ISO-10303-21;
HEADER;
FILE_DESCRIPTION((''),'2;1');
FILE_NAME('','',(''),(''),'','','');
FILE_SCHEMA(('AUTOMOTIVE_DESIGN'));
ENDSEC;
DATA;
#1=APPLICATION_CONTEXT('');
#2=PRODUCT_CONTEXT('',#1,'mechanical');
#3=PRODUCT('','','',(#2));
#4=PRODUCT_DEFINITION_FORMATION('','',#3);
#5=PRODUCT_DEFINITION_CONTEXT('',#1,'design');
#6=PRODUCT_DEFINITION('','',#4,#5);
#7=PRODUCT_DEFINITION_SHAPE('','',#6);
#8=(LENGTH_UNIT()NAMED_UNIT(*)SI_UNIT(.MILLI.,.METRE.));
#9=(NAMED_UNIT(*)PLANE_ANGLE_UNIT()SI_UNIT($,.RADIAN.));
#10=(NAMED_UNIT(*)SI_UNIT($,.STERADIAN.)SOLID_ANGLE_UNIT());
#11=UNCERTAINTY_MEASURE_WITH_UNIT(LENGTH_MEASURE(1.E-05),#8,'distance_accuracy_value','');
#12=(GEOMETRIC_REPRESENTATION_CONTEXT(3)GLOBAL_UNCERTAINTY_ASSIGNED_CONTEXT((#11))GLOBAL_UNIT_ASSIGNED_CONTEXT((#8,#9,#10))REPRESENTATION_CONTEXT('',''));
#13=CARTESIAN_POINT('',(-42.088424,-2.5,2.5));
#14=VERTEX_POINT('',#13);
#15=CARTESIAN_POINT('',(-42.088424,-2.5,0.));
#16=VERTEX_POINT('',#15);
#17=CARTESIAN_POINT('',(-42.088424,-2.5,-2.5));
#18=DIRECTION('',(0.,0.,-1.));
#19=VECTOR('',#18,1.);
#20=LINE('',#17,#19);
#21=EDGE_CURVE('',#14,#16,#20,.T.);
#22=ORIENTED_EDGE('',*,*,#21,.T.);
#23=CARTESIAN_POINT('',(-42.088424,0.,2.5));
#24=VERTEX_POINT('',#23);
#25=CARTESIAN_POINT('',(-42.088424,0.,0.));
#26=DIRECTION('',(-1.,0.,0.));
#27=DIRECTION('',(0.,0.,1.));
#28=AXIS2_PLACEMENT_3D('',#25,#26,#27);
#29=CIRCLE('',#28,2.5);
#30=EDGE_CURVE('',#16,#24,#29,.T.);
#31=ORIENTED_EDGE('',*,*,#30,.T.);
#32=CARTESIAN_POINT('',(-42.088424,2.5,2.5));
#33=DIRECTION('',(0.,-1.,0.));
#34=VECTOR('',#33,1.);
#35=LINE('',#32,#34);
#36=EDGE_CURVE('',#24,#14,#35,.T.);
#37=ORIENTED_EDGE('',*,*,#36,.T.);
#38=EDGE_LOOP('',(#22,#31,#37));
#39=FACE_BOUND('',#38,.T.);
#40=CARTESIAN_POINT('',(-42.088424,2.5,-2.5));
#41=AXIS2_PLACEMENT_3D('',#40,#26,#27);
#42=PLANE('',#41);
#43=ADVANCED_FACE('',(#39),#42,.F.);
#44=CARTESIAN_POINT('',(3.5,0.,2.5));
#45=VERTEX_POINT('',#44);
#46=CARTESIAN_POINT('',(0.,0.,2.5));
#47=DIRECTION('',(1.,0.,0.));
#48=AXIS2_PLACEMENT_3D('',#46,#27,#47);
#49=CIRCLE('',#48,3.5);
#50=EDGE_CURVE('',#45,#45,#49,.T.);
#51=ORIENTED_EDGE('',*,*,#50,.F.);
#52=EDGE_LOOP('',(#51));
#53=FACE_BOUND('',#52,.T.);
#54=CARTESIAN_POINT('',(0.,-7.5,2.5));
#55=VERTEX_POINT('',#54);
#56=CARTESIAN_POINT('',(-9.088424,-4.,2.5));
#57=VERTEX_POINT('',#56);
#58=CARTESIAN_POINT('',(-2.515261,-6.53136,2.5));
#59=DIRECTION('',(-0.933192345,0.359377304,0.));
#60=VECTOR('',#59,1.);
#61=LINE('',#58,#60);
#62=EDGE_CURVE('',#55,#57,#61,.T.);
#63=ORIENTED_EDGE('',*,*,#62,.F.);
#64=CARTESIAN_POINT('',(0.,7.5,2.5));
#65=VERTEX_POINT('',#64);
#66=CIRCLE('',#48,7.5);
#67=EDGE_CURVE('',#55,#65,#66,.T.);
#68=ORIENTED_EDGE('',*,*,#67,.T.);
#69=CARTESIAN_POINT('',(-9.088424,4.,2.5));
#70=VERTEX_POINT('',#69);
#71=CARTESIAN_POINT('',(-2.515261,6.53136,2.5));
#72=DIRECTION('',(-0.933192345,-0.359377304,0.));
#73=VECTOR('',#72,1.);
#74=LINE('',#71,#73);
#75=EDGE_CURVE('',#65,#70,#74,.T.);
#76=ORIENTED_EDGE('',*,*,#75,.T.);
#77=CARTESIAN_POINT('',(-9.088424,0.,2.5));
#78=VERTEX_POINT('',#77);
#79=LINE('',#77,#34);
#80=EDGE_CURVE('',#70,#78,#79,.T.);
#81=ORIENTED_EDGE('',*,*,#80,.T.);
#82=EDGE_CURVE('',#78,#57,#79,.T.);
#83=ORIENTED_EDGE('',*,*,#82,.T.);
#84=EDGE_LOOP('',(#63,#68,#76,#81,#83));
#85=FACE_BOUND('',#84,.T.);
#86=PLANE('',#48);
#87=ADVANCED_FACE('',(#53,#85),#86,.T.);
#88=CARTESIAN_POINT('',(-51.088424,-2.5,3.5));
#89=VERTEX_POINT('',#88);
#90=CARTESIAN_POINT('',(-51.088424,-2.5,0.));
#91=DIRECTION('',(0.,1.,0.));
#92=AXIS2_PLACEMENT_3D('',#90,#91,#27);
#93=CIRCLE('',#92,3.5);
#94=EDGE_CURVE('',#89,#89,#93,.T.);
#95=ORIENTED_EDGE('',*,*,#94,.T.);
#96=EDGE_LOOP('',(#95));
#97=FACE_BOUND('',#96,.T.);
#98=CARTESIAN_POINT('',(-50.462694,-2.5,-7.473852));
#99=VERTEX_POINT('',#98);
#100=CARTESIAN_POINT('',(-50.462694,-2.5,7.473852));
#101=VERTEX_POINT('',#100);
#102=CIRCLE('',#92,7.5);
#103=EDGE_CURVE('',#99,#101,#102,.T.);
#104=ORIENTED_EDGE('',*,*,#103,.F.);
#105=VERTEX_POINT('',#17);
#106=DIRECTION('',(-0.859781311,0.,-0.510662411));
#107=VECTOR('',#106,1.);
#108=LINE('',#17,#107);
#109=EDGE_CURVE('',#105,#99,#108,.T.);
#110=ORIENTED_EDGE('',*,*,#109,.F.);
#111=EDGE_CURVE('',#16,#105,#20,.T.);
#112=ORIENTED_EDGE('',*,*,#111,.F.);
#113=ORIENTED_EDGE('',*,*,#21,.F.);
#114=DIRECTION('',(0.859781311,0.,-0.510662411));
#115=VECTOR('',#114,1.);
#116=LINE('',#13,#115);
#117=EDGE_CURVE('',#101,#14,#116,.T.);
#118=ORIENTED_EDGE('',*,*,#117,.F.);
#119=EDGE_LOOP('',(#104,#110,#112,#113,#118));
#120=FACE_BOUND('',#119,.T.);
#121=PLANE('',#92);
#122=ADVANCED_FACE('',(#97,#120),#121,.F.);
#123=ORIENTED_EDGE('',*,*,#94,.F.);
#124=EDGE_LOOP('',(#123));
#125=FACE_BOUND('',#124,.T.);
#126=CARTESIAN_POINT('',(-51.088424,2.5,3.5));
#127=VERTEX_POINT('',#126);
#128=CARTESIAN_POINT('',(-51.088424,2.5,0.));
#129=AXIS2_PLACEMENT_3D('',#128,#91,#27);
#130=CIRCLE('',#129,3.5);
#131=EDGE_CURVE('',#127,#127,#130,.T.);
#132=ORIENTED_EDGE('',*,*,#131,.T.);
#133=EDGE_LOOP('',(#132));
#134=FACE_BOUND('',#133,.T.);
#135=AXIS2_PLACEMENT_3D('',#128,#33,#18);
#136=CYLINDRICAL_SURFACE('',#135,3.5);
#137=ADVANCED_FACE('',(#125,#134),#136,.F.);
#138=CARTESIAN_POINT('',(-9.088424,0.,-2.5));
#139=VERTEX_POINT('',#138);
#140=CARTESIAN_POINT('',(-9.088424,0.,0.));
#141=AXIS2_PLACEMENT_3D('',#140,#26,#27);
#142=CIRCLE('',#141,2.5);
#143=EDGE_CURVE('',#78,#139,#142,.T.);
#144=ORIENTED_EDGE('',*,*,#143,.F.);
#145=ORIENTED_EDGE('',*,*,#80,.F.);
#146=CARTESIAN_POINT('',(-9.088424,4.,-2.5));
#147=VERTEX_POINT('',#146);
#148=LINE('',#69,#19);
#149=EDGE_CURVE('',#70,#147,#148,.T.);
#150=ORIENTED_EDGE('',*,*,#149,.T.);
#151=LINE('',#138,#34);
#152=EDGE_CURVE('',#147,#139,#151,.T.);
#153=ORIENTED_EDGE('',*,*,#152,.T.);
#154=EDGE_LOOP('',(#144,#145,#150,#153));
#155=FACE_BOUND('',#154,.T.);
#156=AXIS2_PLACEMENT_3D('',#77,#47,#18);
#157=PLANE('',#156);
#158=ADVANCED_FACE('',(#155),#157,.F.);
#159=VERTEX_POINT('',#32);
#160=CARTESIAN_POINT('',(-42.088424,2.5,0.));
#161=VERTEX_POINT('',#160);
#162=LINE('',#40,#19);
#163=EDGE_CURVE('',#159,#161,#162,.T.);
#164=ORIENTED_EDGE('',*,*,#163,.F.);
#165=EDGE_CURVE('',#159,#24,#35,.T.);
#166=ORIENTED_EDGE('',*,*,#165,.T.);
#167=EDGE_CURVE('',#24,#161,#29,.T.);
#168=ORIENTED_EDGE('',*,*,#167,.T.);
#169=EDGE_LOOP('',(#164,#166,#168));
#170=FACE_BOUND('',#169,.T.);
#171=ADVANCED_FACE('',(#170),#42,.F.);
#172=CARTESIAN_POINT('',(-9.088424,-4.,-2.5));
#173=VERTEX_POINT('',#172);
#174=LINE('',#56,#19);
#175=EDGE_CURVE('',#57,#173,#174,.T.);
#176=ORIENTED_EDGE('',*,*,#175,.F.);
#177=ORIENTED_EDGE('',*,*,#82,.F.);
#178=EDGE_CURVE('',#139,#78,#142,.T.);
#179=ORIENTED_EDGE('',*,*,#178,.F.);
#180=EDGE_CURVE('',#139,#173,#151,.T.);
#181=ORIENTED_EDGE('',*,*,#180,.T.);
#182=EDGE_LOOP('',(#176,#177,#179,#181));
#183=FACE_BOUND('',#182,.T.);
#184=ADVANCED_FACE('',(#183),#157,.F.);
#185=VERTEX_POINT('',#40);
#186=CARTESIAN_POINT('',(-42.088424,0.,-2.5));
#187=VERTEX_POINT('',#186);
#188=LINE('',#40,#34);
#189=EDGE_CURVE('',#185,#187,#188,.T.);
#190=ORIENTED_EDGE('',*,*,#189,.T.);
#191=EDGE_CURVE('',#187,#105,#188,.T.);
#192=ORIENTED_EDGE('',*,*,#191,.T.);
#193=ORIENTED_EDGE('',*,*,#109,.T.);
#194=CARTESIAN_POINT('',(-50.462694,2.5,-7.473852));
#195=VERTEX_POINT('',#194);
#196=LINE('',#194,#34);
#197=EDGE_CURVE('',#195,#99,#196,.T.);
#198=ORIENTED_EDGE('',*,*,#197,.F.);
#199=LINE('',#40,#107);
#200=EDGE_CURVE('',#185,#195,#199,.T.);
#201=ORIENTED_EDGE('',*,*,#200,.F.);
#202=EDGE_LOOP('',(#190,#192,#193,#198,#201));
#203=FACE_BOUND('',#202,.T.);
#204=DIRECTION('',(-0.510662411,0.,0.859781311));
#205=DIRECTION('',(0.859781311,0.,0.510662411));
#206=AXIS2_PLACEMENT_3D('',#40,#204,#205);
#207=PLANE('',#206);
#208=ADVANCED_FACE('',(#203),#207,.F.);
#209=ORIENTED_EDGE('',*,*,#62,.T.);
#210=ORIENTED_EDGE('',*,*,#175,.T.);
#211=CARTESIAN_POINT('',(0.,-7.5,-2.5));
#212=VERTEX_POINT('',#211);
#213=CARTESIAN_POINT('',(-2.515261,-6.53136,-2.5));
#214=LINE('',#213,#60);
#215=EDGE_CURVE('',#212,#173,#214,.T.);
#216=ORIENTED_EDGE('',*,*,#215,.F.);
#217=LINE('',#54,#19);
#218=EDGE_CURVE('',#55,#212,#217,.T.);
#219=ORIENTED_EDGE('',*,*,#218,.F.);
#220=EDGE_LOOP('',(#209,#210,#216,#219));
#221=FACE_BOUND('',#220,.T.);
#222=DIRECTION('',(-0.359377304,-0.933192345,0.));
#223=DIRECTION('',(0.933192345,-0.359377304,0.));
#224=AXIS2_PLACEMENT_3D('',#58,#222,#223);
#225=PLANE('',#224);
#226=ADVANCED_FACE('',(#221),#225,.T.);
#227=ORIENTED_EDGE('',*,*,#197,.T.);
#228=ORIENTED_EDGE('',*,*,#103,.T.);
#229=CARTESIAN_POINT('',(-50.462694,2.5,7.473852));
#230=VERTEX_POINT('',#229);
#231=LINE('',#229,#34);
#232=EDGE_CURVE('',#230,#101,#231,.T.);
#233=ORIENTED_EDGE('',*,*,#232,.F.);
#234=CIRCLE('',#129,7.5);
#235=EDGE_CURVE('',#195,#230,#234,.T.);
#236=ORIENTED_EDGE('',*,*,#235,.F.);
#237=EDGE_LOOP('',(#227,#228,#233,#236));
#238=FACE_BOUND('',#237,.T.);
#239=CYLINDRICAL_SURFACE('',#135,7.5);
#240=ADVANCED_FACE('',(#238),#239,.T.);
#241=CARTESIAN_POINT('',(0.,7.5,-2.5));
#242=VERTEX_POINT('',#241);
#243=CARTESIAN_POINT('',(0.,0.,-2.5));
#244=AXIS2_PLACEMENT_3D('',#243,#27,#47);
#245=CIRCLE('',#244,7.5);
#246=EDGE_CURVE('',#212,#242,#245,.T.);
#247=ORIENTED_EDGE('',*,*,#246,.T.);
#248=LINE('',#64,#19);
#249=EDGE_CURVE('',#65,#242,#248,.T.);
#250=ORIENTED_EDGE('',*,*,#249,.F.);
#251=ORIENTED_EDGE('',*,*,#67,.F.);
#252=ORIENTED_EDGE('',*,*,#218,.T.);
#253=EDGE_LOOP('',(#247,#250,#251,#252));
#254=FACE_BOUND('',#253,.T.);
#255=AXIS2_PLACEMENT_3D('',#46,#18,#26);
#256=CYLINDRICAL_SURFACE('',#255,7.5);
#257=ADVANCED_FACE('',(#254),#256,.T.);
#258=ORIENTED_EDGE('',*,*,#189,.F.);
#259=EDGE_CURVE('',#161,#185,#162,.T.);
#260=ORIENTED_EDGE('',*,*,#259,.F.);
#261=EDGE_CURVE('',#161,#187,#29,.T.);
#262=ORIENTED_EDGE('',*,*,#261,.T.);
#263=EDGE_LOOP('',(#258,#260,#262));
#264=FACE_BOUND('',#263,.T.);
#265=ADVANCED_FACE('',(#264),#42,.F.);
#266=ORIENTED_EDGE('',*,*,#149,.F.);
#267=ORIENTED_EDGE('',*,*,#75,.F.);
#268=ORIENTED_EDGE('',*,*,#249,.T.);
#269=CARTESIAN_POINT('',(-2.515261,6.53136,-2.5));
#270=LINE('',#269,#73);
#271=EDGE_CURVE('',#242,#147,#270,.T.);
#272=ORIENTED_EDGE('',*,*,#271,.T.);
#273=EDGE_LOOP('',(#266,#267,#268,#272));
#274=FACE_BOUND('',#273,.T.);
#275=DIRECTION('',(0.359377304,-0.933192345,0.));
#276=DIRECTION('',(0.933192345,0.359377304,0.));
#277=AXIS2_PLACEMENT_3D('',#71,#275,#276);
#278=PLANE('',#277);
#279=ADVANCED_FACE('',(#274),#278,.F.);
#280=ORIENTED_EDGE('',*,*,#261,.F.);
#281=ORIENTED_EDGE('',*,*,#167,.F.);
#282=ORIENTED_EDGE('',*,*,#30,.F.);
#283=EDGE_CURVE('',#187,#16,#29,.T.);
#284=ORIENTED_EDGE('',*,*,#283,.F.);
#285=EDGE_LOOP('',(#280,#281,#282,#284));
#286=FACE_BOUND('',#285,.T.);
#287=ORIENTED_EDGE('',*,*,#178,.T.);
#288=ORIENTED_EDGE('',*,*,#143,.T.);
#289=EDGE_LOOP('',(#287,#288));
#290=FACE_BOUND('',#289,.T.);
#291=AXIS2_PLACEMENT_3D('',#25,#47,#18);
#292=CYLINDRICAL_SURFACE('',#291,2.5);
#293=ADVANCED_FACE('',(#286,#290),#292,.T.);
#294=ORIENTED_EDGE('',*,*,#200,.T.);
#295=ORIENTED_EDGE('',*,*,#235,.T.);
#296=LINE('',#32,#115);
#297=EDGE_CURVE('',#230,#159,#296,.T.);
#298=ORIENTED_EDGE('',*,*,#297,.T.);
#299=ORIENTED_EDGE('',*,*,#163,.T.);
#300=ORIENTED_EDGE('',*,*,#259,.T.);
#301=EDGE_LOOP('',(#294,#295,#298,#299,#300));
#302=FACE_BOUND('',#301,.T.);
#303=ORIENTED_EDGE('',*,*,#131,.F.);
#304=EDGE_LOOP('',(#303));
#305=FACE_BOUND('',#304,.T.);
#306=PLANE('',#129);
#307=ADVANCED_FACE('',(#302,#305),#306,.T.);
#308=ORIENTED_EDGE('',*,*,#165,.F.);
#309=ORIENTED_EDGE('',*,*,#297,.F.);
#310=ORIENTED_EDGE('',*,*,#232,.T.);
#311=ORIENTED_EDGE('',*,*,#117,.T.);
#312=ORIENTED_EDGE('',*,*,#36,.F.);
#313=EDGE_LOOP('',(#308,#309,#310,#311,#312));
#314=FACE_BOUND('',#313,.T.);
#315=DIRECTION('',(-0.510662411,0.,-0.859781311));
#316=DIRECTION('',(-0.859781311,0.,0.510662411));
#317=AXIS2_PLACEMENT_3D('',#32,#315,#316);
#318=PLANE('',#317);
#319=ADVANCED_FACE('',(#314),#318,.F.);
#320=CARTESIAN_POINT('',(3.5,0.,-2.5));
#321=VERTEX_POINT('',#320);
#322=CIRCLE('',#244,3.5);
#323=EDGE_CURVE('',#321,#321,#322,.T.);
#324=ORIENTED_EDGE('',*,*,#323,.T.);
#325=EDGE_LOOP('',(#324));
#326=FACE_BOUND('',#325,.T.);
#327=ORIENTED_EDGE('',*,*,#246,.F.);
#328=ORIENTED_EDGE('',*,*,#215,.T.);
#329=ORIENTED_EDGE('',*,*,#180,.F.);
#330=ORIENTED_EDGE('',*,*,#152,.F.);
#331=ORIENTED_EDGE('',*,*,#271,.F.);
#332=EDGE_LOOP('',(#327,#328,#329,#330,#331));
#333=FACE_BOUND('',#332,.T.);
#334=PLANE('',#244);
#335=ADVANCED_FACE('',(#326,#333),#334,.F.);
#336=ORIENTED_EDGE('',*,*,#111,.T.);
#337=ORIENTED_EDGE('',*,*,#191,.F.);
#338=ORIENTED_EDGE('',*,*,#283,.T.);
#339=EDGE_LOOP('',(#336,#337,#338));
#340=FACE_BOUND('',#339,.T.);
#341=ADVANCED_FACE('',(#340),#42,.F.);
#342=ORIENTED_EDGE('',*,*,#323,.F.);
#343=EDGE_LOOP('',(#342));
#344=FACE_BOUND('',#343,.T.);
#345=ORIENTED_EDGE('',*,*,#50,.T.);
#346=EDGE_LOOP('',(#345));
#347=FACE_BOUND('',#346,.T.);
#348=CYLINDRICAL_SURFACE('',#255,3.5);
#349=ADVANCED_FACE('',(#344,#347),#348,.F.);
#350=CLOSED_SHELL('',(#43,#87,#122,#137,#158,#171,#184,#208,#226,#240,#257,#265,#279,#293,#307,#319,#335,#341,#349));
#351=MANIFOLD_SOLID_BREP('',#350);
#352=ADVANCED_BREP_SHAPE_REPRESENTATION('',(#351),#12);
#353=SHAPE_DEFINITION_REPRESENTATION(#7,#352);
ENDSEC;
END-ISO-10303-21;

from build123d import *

# Parameters (mm, degrees)
BOSS_EXTRUDE2_DEPTH = 2.5
SKETCH4_R           = 2.5
BOSS_EXTRUDE3_DEPTH = 33.000000000000014
SKETCH8_R           = 3.5000000000000004
BOSS_EXTRUDE4_DEPTH = 2.5


with BuildPart() as part:
    # Sketch1 → Boss-Extrude2 (new, symmetric)
    with BuildSketch(Plane.XY):
        with BuildLine():
            ThreePointArc((7.5, -3.5307e-13), (5.303300858899232, 5.303300858898982), (1.36e-15, 7.500000000000001))
            Line((0, 7.5), (-9.088423691387959, 4))
            Line((-9.088423691387959, 4), (-9.088423691387959, 0))
            Line((-9.088423691387959, 0), (-3.5, 0))
            ThreePointArc((-3.5, 4.3e-16), (2.1e-16, 3.5), (3.5, 0))
            Line((3.5, 0), (7.5, 0))
        make_face()
        with BuildLine():
            ThreePointArc((0, -7.499999999999999), (5.303300858898981, -5.303300858899231), (7.5, -3.5307e-13))
            Line((7.5, 0), (3.5, 0))
            ThreePointArc((3.5, -8.6e-16), (-6.4e-16, -3.5), (-3.5, 4.3e-16))
            Line((-3.5, 0), (-9.088423691387959, 0))
            Line((-9.088423691387959, 0), (-9.088423691387959, -4))
            Line((-9.088423691387959, -4), (0, -7.5))
        make_face()
    extrude(amount=BOSS_EXTRUDE2_DEPTH, both=True)

    # Sketch4 → Boss-Extrude3 (add)
    with BuildSketch(Plane.ZY.offset(9.088423691387959)):
        Circle(SKETCH4_R)
    extrude(amount=BOSS_EXTRUDE3_DEPTH)

    # Sketch8 → Boss-Extrude4 (add, symmetric)
    with BuildSketch(Plane(origin=(0, 0, 0), x_dir=(1, 0, 0), z_dir=(0, 1, 0))):
        with BuildLine():
            Line((-42.08842369138797, 2.5), (-42.08842369138797, -2.5))
            Line((-42.08842369138797, -2.5), (-50.46269365807758, -7.4738518800825435))
            ThreePointArc((-50.46269365807758, -7.4738518800825435), (-58.588423691387945, 9.2e-16), (-50.46269365807758, 7.473851880082519))
            Line((-50.46269365807758, 7.473851880082519), (-42.08842369138797, 2.5))
        make_face()
        with Locations(Location((-51.08842369138797, 0, 0), (0, 0, 270))):
            Circle(SKETCH8_R, mode=Mode.SUBTRACT)
    extrude(amount=BOSS_EXTRUDE4_DEPTH, both=True)


solid = part.part
